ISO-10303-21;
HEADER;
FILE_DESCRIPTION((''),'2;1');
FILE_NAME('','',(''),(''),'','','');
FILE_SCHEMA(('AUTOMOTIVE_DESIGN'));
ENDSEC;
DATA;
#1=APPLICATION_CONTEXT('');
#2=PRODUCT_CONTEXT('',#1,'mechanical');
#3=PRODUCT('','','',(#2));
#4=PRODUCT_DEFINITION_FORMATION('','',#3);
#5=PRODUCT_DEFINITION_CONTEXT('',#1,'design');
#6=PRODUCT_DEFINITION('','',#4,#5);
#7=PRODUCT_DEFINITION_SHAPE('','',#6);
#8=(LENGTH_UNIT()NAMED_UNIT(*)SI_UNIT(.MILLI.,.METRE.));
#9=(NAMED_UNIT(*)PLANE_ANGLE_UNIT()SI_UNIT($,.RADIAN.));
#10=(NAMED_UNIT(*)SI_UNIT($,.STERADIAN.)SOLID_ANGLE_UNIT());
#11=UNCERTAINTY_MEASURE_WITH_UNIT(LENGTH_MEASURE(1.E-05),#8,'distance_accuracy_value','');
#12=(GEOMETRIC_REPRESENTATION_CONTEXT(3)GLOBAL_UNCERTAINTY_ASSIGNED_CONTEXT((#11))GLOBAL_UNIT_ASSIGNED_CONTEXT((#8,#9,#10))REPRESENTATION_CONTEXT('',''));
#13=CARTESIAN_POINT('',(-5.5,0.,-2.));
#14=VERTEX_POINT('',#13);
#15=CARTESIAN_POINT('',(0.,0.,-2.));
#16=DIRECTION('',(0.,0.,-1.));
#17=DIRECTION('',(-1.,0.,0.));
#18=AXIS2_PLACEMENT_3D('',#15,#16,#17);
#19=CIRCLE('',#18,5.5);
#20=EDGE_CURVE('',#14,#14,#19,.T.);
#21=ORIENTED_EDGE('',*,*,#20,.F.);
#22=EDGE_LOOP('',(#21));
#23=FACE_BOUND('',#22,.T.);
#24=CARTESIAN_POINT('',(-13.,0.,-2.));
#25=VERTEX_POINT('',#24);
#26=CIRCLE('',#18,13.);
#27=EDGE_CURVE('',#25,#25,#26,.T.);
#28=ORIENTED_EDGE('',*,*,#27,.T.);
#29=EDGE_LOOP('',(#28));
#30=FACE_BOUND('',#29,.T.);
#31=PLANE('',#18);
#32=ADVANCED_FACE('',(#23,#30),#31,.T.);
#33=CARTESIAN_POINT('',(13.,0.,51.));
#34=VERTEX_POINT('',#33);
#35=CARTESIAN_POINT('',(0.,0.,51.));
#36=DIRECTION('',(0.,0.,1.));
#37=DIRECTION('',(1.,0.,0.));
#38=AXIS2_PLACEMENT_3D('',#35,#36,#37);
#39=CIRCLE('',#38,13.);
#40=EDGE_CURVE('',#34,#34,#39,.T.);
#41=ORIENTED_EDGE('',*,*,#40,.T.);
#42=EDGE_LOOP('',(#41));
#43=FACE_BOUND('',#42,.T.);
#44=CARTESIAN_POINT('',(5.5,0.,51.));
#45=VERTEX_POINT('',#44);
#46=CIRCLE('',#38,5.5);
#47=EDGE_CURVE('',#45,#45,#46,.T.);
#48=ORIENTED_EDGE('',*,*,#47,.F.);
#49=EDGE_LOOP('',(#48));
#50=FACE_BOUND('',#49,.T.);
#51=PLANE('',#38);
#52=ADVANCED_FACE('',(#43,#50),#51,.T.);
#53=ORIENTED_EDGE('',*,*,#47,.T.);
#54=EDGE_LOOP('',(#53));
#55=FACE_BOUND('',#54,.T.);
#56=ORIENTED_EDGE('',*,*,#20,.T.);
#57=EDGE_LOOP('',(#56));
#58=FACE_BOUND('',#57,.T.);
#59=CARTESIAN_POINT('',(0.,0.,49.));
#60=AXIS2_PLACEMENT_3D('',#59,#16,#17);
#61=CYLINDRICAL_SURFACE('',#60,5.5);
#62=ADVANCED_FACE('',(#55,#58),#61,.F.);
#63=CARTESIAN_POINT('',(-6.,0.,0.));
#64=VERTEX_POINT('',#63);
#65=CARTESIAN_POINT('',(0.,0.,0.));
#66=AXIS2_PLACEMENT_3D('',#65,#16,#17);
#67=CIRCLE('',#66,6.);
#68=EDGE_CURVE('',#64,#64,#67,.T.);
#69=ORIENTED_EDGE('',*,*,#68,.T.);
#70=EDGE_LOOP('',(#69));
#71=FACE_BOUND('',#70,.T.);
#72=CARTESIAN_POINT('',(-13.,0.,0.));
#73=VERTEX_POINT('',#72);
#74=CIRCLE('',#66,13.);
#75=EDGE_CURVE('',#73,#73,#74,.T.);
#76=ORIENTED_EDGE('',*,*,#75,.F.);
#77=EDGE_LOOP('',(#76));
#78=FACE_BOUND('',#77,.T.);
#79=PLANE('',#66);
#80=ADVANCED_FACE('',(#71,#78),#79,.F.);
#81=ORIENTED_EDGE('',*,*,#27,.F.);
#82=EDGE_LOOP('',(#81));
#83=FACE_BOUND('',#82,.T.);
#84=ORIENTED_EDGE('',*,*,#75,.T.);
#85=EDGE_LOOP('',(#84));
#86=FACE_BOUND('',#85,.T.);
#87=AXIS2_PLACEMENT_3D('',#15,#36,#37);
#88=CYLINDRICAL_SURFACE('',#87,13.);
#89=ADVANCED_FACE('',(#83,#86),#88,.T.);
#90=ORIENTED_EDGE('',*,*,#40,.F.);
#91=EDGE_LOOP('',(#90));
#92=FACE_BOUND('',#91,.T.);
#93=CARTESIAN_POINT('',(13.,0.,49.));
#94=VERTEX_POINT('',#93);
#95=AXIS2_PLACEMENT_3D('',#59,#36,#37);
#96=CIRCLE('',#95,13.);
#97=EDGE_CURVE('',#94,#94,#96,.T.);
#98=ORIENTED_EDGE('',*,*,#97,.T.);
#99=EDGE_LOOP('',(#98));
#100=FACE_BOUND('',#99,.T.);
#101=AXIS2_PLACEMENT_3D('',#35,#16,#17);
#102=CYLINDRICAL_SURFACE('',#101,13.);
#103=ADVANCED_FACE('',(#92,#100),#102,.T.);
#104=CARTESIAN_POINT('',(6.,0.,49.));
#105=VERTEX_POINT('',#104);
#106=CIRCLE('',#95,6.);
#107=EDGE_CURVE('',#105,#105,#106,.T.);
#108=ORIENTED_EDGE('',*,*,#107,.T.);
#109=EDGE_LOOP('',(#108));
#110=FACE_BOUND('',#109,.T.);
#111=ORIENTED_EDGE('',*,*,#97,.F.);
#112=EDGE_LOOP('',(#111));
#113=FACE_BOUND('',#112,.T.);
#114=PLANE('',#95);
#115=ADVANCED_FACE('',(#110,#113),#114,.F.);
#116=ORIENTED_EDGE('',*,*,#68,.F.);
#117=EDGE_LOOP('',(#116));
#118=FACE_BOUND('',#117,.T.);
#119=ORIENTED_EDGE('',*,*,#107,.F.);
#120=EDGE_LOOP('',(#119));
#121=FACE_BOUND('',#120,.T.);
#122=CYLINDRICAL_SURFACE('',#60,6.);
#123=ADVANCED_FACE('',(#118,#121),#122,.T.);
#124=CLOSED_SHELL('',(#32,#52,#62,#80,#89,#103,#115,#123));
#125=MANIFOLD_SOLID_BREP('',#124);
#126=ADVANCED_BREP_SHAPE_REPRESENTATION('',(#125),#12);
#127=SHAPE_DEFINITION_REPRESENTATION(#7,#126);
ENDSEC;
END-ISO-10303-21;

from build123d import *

# Parameters (mm, degrees)
SKETCH1_R      = 6
SKETCH1_R_2    = 5.5
EXTRUDE1_DEPTH = 49
SKETCH2_R      = 13
SKETCH2_R_2    = 5.5
EXTRUDE3_DEPTH = 2
EXTRUDE4_START = 2
SKETCH3_R      = 13
SKETCH3_R_2    = 5.5
EXTRUDE4_DEPTH = 2


with BuildPart() as part:
    # Sketch1 → Extrude1 (new body)
    with BuildSketch(Plane.XY):
        Circle(SKETCH1_R)
        Circle(SKETCH1_R_2, mode=Mode.SUBTRACT)
    extrude(amount=EXTRUDE1_DEPTH)

    # Sketch2 → Extrude3 (add)
    with BuildSketch(Plane.XY.offset(49)):
        Circle(SKETCH2_R)
        Circle(SKETCH2_R_2, mode=Mode.SUBTRACT)
    extrude(amount=EXTRUDE3_DEPTH)

    # Sketch3 → Extrude4 (add)
    with BuildSketch(Plane(origin=(0, 0, 0), x_dir=(-1, 0, 0), z_dir=(0, 0, -1)).offset(EXTRUDE4_START)):
        with Locations(Location((0, 0, 0), (0, 0, 180))):
            Circle(SKETCH3_R)
        Circle(SKETCH3_R_2, mode=Mode.SUBTRACT)
    extrude(amount=-EXTRUDE4_DEPTH)


solid = part.part
